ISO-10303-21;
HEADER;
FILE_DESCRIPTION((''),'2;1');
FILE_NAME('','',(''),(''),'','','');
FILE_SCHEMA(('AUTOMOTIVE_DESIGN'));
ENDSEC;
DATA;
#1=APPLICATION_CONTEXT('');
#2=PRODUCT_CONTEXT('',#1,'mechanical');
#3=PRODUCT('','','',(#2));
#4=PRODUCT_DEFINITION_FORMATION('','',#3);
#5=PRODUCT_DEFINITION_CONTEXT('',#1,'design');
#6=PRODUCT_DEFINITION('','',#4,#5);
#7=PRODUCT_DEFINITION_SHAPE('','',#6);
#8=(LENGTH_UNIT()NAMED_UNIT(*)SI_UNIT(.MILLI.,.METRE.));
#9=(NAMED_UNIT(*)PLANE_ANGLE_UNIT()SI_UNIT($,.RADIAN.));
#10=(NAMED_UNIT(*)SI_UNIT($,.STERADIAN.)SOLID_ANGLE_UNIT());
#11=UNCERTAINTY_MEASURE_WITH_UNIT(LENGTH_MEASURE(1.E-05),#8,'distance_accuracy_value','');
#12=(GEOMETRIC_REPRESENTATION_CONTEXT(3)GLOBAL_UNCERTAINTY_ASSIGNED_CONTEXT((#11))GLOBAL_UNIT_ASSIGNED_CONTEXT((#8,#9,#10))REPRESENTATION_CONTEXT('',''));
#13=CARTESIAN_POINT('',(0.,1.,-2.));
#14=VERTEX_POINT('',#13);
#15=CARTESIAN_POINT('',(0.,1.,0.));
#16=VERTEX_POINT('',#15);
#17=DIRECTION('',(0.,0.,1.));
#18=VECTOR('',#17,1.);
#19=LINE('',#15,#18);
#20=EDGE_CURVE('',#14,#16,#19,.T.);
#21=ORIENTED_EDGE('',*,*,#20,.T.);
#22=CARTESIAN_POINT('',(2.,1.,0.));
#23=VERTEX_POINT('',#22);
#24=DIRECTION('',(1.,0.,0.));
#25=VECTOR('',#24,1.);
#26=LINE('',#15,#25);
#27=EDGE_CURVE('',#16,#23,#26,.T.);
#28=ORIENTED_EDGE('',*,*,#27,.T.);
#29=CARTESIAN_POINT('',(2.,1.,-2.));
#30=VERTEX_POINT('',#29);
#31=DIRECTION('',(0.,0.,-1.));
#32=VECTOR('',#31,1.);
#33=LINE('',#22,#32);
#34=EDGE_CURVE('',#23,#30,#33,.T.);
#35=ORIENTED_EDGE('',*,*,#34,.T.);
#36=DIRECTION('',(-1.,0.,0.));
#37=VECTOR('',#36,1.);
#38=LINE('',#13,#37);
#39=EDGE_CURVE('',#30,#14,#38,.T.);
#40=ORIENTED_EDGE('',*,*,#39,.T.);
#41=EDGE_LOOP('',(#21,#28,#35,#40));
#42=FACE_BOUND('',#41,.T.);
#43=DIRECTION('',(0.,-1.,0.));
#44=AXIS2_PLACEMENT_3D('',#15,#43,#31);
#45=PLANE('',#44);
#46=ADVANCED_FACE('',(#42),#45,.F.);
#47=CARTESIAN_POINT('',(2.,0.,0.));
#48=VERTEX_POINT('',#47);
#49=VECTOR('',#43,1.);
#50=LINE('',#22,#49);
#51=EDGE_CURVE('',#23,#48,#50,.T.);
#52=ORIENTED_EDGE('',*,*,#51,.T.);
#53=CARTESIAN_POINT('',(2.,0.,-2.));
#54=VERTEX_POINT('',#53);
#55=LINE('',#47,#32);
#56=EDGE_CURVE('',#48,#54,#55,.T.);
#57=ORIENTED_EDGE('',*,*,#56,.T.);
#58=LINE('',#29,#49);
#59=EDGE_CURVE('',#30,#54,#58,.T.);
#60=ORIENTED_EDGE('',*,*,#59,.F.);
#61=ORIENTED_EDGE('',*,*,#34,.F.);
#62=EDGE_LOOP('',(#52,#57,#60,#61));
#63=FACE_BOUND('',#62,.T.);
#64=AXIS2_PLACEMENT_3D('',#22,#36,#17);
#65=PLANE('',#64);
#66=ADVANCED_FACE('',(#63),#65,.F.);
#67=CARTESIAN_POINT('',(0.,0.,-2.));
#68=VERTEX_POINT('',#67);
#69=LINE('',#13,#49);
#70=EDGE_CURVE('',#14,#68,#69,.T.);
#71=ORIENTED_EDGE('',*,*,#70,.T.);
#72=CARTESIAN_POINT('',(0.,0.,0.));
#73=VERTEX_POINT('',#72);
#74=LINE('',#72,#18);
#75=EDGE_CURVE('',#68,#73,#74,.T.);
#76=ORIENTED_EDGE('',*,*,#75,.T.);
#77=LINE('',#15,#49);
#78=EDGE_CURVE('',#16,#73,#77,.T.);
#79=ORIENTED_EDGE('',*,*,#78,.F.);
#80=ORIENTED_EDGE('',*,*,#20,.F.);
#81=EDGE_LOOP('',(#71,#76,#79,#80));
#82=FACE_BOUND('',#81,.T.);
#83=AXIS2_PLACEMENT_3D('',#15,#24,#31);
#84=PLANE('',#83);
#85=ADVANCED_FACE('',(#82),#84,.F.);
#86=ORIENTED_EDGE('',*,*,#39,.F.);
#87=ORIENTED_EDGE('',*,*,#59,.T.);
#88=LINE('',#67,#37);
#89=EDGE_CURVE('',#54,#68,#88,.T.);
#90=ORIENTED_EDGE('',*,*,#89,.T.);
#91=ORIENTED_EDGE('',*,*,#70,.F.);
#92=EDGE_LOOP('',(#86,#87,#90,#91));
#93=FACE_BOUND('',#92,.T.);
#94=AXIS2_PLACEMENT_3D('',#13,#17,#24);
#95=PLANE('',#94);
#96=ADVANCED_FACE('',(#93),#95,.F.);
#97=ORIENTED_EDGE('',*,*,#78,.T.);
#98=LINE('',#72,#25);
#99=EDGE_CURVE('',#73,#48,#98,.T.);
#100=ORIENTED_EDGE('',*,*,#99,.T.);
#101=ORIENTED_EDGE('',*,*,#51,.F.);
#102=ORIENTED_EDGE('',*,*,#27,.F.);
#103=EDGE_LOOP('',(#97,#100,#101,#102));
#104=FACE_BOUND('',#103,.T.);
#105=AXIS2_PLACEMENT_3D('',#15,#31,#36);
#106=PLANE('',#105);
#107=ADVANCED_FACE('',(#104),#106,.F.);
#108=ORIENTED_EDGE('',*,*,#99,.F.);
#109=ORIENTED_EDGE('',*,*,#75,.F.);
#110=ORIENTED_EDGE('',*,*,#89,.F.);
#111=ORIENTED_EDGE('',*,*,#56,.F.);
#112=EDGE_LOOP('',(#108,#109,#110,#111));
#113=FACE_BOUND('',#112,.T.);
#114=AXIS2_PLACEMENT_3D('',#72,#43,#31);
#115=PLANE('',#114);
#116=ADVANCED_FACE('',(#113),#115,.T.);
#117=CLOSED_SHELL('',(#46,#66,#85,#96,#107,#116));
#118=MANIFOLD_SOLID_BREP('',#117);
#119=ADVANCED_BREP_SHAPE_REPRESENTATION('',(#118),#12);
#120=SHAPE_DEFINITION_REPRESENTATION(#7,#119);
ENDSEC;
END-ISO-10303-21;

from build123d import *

# Parameters (mm, degrees)
SKETCH1_W           = 2
SKETCH1_H           = 2
BOSS_EXTRUDE1_DEPTH = 1


with BuildPart() as part:
    # Sketch1 → Boss-Extrude1 (new body)
    with BuildSketch(Plane(origin=(0, 0, 0), x_dir=(1, 0, 0), z_dir=(0, 1, 0))):
        with Locations((1, 1)):
            Rectangle(SKETCH1_W, SKETCH1_H)
    extrude(amount=BOSS_EXTRUDE1_DEPTH)


solid = part.part
